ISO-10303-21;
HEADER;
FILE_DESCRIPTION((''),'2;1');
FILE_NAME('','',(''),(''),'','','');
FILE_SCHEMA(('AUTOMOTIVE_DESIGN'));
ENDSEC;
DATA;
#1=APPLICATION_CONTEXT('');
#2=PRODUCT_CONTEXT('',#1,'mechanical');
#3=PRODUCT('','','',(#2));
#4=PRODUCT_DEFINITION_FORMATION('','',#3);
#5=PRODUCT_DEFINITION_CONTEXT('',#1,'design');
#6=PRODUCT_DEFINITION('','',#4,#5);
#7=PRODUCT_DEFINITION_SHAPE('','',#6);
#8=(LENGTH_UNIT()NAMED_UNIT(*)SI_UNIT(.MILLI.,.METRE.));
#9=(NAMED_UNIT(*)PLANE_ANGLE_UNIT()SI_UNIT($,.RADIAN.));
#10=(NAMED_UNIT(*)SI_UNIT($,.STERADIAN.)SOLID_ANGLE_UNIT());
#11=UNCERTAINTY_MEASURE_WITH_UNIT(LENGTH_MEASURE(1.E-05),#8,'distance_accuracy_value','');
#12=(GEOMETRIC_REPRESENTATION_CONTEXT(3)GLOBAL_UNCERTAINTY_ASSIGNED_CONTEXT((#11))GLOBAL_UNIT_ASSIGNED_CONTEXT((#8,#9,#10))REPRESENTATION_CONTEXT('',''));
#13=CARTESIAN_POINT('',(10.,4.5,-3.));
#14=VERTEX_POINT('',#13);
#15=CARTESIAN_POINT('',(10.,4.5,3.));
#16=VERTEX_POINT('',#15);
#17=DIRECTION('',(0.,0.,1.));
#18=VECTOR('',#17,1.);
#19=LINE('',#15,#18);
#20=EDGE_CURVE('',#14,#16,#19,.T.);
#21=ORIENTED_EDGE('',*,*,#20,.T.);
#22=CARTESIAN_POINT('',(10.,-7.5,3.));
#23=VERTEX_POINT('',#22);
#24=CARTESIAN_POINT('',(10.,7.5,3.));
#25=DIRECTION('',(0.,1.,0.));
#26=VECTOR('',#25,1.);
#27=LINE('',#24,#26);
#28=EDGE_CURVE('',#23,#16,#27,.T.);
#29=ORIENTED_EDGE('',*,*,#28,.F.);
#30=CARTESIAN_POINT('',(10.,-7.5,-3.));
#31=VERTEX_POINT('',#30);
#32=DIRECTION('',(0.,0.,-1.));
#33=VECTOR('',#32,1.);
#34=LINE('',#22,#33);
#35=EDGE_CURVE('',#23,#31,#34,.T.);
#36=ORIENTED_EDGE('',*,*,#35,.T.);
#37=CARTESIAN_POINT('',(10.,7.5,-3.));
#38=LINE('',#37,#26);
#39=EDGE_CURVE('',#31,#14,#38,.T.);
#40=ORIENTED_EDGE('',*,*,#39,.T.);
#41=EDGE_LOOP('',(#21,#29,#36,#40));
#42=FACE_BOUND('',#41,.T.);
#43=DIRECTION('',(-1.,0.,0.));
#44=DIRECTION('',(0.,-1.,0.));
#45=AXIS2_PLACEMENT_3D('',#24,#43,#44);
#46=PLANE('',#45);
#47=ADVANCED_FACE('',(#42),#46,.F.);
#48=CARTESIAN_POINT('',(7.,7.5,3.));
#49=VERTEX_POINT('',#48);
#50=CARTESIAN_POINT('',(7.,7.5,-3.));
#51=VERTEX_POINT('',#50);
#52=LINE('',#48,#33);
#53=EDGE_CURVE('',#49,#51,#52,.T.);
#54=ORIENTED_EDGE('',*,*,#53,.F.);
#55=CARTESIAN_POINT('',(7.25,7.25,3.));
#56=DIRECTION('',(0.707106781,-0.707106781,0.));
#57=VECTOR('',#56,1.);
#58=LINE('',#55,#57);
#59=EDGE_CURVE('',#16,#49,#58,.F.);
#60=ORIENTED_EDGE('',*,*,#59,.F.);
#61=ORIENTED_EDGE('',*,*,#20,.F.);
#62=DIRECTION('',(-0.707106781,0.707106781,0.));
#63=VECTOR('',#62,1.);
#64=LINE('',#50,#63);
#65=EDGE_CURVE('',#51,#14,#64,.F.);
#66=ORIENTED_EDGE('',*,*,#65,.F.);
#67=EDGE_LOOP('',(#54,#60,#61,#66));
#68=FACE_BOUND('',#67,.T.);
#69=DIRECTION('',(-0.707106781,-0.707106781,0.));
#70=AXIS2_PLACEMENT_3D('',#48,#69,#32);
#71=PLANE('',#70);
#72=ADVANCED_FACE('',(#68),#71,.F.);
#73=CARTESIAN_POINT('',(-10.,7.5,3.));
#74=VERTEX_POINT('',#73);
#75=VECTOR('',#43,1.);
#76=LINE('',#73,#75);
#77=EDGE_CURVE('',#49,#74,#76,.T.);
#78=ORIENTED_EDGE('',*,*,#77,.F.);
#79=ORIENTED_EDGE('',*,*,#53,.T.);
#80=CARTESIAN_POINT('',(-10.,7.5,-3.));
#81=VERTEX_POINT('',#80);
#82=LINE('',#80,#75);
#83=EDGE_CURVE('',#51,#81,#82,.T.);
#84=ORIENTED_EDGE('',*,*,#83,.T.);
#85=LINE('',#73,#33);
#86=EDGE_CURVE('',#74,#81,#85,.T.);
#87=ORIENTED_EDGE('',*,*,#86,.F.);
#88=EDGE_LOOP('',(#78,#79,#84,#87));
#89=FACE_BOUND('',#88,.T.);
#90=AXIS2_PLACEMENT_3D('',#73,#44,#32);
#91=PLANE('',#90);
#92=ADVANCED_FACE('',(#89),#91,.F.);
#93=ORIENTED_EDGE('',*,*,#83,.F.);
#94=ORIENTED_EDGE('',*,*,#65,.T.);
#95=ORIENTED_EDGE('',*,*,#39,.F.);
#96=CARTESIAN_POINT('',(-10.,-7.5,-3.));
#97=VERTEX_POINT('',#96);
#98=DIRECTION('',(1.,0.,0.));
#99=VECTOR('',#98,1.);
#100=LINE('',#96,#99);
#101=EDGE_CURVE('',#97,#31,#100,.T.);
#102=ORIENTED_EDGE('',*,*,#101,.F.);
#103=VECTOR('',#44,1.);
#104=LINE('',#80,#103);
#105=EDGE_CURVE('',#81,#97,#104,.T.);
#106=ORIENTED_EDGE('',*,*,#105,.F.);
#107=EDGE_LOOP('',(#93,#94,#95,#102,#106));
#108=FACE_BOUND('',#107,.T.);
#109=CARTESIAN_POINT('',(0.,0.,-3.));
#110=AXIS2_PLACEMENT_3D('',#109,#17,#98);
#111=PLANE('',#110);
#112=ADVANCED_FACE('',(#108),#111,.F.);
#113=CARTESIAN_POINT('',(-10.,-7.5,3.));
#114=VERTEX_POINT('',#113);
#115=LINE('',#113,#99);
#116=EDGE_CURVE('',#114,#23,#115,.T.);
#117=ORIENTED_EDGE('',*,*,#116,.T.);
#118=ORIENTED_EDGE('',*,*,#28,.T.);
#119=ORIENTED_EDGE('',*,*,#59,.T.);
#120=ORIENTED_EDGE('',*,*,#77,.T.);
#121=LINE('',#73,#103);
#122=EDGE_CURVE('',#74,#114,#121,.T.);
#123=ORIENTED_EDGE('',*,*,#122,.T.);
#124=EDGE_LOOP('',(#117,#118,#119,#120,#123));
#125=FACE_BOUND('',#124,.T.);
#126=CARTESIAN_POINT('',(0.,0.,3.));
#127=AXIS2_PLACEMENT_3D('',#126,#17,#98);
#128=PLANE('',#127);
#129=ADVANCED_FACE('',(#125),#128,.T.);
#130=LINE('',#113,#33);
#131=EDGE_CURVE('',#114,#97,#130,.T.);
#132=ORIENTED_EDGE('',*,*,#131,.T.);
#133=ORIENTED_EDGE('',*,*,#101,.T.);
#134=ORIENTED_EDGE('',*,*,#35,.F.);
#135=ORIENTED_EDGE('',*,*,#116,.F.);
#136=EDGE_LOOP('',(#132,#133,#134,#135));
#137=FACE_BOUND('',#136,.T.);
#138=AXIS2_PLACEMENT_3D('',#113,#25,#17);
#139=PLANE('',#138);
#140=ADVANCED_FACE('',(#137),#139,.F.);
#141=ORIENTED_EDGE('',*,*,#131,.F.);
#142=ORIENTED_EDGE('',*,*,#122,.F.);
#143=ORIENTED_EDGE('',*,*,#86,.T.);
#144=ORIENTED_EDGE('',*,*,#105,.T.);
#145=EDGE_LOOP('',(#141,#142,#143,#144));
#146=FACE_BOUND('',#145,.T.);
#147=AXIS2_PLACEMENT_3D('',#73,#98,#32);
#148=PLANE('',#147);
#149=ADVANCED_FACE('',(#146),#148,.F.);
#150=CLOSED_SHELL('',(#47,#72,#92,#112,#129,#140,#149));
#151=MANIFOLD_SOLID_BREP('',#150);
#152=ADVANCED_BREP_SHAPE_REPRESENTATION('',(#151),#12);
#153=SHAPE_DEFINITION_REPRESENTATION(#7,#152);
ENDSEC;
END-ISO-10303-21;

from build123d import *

# Parameters (mm, degrees)
SKETCH_1_W      = 20
SKETCH_1_H      = 15
EXTRUDE_1_DEPTH = 3
CHAMFER_1_SIZE  = 3


with BuildPart() as part:
    # 草图1 → 凸台-拉伸1 (new, symmetric)
    with BuildSketch(Plane.XY):
        Rectangle(SKETCH_1_W, SKETCH_1_H)
    extrude(amount=EXTRUDE_1_DEPTH, both=True)

    # 倒角1
    chamfer_1_edges = [part.edges().sort_by_distance(p)[0] for p in [
        (10, 7.5, 0),
    ]]
    chamfer(chamfer_1_edges, length=CHAMFER_1_SIZE)


solid = part.part
